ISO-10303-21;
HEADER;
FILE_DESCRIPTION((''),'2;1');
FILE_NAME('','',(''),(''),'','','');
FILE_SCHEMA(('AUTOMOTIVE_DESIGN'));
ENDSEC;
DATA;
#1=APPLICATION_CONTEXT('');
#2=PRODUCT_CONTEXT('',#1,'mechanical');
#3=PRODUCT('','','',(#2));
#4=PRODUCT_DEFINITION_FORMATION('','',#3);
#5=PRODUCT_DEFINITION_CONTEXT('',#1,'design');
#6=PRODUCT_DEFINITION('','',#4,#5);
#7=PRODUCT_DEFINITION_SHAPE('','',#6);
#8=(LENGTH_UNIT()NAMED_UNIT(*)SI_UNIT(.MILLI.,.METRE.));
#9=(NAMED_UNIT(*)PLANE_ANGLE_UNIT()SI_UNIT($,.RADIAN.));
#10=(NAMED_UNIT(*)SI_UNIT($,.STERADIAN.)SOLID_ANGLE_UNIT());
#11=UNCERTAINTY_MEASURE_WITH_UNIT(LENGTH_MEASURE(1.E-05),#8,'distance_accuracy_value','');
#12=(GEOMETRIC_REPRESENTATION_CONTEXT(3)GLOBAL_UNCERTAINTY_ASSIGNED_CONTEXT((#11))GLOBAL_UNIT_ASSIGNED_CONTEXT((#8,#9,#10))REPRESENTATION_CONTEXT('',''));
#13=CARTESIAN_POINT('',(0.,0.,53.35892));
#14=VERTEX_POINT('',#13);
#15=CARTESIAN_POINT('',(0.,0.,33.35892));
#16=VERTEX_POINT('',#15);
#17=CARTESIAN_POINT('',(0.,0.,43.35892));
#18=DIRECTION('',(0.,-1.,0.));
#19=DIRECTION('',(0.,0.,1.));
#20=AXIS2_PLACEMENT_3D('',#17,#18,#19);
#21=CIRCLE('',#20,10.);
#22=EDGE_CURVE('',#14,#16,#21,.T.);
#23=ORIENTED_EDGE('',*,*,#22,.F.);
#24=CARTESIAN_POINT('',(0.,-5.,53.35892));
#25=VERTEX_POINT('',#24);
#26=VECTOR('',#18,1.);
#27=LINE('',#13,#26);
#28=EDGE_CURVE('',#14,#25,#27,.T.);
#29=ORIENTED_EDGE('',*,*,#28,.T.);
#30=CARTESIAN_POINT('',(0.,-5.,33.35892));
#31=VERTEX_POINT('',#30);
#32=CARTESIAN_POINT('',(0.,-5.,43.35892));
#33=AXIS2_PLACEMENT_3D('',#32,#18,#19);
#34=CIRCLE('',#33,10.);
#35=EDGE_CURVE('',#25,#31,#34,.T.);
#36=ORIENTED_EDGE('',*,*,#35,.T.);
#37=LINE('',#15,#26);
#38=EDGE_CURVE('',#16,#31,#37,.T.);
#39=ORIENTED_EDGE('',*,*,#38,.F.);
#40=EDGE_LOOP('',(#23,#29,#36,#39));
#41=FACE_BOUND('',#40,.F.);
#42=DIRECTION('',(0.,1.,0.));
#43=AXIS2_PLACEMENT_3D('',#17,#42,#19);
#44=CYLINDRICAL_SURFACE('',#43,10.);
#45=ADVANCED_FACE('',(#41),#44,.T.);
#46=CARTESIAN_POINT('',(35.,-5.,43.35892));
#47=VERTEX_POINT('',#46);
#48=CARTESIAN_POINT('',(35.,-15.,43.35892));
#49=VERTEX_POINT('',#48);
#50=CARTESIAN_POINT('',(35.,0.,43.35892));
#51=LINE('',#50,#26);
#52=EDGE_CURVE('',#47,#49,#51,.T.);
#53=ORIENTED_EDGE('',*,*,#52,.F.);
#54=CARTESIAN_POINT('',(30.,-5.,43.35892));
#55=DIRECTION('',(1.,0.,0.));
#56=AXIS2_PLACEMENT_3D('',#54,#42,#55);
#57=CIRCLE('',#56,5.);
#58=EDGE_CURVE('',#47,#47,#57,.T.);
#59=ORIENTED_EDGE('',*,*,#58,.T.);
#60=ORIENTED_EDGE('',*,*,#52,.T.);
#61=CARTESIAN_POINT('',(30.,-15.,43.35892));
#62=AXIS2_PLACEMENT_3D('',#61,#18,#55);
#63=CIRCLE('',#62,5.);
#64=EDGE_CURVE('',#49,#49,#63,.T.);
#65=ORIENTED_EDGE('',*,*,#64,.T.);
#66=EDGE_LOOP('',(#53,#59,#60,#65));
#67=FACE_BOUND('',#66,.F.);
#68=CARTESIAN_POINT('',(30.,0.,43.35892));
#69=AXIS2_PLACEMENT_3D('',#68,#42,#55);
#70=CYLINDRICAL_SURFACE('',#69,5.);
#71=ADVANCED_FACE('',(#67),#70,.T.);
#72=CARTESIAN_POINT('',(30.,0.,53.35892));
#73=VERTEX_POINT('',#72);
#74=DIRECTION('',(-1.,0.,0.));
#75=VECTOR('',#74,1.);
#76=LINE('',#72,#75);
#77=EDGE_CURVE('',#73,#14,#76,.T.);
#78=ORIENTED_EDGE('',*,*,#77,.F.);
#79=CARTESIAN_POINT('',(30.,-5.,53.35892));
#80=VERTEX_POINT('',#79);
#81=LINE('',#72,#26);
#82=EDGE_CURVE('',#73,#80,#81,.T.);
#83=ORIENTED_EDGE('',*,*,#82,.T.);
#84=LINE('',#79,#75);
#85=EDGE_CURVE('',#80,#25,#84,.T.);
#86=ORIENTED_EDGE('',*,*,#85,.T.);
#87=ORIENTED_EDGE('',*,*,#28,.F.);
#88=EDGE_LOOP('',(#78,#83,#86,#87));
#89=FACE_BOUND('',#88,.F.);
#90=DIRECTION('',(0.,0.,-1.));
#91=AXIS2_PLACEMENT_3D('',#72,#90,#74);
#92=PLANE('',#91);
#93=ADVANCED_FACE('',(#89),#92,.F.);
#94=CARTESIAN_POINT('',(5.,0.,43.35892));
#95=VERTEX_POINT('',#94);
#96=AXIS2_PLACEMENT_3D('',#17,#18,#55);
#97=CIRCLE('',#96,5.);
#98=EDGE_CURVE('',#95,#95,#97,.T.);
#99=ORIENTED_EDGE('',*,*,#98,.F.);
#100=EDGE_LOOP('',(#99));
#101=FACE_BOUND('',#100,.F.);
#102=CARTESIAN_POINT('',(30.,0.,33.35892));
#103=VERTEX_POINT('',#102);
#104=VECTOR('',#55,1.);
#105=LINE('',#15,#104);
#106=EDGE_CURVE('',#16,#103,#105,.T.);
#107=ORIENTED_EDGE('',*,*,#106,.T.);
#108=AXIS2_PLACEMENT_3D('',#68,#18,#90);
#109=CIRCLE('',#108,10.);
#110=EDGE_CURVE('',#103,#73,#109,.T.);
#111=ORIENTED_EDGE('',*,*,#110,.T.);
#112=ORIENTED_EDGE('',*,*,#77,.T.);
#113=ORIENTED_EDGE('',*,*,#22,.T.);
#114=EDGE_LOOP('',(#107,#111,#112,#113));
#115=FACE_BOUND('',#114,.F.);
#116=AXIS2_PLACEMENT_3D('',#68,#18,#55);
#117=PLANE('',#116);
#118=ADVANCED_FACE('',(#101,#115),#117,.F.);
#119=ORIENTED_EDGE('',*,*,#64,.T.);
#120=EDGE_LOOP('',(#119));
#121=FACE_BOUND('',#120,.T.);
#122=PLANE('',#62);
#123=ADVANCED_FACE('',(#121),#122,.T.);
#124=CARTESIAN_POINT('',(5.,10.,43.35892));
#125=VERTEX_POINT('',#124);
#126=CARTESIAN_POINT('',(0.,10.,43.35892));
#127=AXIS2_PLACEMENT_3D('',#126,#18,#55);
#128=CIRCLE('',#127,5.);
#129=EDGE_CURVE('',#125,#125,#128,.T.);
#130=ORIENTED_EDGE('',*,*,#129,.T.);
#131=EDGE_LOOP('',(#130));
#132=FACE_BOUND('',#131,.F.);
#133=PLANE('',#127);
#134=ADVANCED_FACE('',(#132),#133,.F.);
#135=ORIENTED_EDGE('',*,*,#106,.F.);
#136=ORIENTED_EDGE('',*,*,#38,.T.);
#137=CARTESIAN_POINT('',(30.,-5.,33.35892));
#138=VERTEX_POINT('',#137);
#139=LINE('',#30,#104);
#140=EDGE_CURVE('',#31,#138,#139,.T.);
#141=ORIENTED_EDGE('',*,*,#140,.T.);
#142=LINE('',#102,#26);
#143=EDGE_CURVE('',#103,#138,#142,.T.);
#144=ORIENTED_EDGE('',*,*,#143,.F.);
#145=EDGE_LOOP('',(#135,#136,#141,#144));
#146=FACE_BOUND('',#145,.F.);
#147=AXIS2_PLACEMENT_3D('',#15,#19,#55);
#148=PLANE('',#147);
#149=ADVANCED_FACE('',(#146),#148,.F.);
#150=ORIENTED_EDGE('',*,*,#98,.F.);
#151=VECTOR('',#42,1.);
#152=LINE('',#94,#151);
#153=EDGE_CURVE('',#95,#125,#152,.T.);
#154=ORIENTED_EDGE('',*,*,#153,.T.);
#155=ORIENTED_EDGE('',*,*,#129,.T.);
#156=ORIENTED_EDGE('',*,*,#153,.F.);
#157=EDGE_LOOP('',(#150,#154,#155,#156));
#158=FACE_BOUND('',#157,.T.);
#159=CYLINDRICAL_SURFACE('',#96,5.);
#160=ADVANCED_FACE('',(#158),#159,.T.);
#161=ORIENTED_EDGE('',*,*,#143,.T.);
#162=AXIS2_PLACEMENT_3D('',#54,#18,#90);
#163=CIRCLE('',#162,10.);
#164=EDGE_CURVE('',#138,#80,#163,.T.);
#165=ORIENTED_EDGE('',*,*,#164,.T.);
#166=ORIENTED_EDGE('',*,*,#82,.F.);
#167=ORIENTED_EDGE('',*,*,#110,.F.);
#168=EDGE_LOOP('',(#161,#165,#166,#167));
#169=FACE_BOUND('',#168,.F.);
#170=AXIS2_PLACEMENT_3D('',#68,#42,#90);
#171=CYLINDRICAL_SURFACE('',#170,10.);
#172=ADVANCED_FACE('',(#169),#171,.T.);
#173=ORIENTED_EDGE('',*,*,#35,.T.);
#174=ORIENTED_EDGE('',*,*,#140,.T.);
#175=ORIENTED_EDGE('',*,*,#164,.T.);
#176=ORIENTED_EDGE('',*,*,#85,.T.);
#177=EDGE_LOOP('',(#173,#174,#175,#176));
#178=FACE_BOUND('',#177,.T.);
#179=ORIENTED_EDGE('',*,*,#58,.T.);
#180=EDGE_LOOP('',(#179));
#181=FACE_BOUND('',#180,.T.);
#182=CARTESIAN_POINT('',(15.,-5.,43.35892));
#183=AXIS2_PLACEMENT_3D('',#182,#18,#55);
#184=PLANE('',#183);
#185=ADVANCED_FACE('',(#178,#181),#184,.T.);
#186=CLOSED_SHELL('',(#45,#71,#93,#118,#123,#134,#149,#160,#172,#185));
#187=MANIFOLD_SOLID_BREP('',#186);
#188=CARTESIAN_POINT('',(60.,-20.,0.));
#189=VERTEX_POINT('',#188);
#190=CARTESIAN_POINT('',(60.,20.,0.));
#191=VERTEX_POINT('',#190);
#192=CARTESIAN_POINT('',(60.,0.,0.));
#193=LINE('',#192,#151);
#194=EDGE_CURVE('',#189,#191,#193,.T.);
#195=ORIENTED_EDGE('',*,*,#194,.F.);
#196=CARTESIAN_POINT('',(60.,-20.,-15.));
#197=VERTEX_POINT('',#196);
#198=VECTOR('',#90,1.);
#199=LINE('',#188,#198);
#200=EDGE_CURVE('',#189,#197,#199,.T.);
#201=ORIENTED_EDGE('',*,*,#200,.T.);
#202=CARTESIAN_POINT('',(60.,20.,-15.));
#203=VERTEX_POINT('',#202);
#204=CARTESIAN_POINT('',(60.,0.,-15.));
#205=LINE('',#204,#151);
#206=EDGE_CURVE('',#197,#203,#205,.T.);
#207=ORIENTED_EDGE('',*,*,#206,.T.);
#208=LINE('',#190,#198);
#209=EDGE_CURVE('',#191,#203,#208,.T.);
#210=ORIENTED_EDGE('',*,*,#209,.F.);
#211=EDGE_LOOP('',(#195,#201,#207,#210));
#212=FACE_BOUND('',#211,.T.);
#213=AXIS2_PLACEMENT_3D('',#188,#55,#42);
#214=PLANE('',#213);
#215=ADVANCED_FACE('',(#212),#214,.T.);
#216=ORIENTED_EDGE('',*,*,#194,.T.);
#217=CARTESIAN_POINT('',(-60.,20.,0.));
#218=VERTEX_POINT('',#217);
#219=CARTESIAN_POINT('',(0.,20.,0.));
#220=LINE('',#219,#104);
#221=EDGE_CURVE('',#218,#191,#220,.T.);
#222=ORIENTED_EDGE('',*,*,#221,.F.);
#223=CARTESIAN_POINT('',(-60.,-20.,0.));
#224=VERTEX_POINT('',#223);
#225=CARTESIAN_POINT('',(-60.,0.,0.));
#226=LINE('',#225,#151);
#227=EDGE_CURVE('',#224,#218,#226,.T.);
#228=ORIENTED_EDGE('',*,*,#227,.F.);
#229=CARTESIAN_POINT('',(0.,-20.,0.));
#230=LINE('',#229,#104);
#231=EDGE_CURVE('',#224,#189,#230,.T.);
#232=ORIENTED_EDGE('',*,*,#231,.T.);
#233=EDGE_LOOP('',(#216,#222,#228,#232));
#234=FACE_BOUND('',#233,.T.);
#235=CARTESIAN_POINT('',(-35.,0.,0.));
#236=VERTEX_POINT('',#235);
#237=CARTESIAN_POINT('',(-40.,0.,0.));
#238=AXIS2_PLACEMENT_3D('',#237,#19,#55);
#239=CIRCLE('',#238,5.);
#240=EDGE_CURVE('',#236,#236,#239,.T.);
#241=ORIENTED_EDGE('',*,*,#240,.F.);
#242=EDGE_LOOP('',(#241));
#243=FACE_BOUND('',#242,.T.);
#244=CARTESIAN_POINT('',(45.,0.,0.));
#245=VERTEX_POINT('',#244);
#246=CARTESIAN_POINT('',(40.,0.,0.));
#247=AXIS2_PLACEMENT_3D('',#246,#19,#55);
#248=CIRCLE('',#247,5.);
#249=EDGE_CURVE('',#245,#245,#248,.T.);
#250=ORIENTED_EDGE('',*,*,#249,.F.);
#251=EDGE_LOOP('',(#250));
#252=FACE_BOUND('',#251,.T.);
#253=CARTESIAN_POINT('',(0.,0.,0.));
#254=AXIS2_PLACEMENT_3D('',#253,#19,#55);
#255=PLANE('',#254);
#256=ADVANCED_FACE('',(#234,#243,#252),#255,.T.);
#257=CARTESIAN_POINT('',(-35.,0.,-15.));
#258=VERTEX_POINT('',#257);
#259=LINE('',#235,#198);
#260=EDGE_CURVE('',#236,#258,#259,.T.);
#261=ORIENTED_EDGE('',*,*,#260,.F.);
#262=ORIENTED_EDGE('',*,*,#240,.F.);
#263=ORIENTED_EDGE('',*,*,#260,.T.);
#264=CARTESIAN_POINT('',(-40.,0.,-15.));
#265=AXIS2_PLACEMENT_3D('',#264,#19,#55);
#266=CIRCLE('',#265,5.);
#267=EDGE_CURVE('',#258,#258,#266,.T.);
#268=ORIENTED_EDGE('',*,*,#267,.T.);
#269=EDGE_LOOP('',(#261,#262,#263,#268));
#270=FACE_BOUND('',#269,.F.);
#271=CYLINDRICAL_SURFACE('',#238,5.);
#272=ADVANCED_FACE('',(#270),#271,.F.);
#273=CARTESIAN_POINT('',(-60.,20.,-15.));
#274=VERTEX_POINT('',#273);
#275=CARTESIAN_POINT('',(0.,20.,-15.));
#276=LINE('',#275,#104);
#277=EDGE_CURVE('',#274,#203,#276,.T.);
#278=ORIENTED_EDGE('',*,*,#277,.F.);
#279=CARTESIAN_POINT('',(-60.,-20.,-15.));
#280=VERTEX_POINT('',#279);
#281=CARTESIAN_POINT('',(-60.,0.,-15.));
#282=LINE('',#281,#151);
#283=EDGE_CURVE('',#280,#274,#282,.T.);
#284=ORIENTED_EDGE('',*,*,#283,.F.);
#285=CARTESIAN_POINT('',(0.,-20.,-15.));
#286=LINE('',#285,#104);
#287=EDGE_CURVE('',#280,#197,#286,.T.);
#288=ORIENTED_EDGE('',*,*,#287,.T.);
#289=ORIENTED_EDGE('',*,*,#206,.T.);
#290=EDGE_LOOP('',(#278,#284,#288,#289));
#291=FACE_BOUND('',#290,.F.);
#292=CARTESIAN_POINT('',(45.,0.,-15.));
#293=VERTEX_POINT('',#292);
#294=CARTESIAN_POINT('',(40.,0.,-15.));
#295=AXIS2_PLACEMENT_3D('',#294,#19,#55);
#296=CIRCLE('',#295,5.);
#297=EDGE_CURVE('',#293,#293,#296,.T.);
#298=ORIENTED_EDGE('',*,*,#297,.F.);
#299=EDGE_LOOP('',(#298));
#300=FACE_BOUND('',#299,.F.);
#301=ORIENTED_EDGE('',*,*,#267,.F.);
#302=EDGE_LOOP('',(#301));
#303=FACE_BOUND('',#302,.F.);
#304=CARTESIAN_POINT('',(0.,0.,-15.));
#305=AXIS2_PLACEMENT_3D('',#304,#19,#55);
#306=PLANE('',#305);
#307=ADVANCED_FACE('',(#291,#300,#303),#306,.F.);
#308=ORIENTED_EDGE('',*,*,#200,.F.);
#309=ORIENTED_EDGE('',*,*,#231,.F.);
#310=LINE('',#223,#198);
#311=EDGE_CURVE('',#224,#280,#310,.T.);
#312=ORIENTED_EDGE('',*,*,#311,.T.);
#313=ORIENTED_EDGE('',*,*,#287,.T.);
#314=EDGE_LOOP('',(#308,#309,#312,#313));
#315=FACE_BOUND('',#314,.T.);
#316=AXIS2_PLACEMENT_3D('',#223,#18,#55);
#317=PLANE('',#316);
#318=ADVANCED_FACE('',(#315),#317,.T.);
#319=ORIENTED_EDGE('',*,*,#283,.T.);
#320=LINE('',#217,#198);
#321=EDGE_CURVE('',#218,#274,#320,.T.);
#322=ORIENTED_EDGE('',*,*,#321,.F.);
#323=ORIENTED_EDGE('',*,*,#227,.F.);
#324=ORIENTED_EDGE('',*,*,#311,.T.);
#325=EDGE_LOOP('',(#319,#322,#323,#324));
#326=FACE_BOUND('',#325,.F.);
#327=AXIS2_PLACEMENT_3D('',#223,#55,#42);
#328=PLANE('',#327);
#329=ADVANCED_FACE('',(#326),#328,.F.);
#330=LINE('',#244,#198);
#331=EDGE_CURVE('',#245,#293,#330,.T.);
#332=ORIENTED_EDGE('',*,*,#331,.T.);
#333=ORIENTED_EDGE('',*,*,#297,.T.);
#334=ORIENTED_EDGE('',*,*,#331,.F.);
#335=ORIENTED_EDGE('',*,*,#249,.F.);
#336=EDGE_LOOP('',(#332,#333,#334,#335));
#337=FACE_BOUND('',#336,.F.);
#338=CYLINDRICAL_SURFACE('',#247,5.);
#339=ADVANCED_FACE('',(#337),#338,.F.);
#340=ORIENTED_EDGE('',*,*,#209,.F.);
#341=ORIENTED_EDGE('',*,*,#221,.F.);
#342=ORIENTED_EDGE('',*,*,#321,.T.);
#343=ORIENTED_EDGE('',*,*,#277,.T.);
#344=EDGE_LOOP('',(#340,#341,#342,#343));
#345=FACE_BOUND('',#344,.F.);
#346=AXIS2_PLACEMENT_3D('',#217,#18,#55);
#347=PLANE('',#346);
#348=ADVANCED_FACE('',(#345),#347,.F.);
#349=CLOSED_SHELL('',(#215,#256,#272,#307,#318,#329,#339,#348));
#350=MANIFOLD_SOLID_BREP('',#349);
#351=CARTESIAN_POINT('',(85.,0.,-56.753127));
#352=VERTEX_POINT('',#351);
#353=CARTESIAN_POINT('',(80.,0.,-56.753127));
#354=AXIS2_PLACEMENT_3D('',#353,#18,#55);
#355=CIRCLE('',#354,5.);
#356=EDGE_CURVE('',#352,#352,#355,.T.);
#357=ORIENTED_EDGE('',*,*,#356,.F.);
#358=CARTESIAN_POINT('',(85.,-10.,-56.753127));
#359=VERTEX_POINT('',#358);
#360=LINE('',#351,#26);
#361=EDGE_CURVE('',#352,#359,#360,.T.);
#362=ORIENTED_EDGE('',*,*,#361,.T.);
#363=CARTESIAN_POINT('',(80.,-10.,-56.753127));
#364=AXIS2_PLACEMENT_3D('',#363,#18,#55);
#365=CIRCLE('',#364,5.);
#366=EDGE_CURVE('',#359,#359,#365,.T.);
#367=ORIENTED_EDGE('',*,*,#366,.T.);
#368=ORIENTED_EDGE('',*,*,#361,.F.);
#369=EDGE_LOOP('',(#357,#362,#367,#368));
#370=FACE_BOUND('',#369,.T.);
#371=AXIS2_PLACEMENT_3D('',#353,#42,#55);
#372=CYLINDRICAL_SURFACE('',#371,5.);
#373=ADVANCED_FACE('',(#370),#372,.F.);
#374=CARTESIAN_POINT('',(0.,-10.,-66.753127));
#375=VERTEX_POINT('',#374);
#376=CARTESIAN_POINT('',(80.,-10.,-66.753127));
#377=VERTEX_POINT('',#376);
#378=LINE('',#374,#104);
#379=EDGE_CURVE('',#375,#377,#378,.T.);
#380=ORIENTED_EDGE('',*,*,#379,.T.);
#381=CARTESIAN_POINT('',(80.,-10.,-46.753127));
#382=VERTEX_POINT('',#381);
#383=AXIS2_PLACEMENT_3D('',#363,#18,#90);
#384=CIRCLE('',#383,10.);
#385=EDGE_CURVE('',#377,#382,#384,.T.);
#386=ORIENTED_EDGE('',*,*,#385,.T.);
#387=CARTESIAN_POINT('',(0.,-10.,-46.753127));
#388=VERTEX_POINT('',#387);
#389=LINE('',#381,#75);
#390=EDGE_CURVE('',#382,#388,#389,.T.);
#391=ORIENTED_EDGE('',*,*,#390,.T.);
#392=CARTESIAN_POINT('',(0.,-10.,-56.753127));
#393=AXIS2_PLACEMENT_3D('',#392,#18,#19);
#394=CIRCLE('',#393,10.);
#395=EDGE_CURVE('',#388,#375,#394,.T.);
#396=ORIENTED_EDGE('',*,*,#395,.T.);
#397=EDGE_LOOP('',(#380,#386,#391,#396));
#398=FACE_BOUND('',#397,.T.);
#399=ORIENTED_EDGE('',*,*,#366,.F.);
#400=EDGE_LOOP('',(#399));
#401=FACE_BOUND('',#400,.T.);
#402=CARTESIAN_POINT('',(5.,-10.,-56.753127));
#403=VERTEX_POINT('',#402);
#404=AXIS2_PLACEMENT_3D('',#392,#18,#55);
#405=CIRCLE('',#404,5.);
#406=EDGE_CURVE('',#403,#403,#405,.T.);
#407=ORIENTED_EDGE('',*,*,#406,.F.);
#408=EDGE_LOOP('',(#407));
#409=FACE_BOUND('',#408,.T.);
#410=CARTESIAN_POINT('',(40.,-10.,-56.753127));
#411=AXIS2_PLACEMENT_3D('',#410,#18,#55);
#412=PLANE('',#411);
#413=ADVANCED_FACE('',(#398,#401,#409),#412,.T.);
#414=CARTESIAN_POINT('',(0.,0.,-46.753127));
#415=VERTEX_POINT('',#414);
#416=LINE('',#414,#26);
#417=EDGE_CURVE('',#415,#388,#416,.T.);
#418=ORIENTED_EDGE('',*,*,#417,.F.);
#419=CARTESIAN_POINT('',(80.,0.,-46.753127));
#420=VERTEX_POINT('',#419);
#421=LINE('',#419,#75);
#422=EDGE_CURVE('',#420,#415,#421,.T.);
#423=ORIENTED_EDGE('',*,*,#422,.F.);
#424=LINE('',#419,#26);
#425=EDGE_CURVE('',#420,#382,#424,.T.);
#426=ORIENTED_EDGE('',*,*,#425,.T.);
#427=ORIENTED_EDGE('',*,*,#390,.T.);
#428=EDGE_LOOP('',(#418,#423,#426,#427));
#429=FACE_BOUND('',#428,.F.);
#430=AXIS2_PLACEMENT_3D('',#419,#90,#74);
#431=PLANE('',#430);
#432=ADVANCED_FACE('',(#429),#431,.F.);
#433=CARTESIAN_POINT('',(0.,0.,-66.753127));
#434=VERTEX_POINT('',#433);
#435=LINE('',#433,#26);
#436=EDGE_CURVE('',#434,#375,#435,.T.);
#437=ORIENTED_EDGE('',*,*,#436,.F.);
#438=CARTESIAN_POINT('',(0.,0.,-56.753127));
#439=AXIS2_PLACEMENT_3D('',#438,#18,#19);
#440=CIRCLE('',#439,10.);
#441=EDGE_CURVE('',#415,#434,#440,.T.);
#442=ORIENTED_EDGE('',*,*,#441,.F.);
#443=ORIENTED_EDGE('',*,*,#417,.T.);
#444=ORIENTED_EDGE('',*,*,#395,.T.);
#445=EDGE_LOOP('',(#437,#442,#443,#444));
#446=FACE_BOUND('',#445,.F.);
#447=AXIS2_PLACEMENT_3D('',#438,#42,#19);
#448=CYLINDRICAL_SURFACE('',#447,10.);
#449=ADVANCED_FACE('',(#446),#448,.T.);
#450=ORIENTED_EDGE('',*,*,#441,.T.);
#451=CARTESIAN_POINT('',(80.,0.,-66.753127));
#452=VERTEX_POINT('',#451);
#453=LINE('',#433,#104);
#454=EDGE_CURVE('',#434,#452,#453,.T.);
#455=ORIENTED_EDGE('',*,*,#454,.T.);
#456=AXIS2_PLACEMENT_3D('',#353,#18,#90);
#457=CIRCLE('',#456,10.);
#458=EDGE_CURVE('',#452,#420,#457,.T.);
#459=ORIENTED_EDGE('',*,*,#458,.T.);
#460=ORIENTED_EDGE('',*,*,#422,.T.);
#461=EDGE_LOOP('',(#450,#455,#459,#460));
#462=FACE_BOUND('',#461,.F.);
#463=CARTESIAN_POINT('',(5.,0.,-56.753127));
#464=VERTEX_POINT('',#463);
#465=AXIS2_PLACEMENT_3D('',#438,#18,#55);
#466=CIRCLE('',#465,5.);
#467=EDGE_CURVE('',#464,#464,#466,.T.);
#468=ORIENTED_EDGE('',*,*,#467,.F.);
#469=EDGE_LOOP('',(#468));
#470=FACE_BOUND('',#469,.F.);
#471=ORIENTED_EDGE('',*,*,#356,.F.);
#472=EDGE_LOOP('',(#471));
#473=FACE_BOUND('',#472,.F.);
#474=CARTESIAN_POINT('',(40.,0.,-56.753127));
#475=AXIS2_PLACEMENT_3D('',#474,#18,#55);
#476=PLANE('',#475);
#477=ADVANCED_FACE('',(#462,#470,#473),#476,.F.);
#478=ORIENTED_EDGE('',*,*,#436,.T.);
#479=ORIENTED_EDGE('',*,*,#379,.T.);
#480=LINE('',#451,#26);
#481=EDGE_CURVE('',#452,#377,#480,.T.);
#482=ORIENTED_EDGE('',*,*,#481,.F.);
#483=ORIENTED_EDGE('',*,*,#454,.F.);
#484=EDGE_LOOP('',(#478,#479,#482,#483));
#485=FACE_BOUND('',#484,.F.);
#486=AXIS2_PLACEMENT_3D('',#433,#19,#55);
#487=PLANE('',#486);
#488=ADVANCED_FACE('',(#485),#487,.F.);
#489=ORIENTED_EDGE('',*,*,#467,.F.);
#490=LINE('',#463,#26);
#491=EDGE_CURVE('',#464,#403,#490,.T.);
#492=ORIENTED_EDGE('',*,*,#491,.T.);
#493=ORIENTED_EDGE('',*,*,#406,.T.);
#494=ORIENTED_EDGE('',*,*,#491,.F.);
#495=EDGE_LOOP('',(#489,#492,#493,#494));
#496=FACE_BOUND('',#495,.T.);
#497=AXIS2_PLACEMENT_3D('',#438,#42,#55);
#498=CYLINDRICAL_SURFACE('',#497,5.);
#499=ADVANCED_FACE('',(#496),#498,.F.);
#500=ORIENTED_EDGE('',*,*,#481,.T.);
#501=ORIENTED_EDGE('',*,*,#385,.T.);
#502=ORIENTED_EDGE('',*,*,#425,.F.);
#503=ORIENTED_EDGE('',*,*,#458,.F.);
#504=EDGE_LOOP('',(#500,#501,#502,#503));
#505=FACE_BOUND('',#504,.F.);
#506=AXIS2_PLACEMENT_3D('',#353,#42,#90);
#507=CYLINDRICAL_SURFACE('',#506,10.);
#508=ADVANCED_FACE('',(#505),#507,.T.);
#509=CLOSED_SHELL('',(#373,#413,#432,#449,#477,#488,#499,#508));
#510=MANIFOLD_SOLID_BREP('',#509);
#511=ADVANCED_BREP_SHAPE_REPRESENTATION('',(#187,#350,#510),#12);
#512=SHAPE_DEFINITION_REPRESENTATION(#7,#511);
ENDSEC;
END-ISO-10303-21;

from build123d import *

# Parameters (mm, degrees)
F0_W     = 120
F0_H     = 40
F0_R     = 5
F1_DEPTH = 15
F2_R     = 5
F3_DEPTH = 5
F4_DEPTH = 15
F5_DEPTH = 10
F6_R     = 5
F7_DEPTH = 10


with BuildPart() as f1:
    # F0 (on Top) → F1 (new body)
    with BuildSketch(Plane.XY):
        Rectangle(F0_W, F0_H)
        with Locations((-40, 0)):
            Circle(F0_R, mode=Mode.SUBTRACT)
        with Locations((40, 0)):
            Circle(F0_R, mode=Mode.SUBTRACT)
    extrude(amount=-F1_DEPTH)


with BuildPart() as f3:
    # F2 (on Front) → F3 (new body)
    with BuildSketch(Plane.XZ):
        with BuildLine():
            Line((30, 53.35892), (0, 53.35892))
            ThreePointArc((0, 53.35892), (-10, 43.35892), (0, 33.35892))
            Line((0, 33.35892), (30, 33.35892))
            ThreePointArc((30, 33.35892), (40, 43.35892), (30, 53.35892))
        make_face()
        with Locations((0, 43.35892)):
            Circle(F2_R, mode=Mode.SUBTRACT)
        with Locations((30, 43.35892)):
            Circle(F2_R, mode=Mode.SUBTRACT)
        with Locations((30, 43.35892)):
            Circle(F2_R)
        with Locations((0, 43.35892)):
            Circle(F2_R)
    extrude(amount=F3_DEPTH)

    # F2 (on Front) → F4 (join)
    with BuildSketch(Plane.XZ):
        with Locations((30, 43.35892)):
            Circle(F2_R)
    extrude(amount=F4_DEPTH)

    # F2 (on Front) → F5 (join)
    with BuildSketch(Plane.XZ):
        with Locations((0, 43.35892)):
            Circle(F2_R)
    extrude(amount=-F5_DEPTH)


with BuildPart() as f7:
    # F6 (on Front) → F7 (new body)
    with BuildSketch(Plane.XZ):
        with BuildLine():
            Line((80, -46.753127), (0, -46.753127))
            ThreePointArc((0, -46.753127), (-10, -56.753127), (0, -66.753127))
            Line((0, -66.753127), (80, -66.753127))
            ThreePointArc((80, -66.753127), (90, -56.753127), (80, -46.753127))
        make_face()
        with Locations((0, -56.753127)):
            Circle(F6_R, mode=Mode.SUBTRACT)
        with Locations((80, -56.753127)):
            Circle(F6_R, mode=Mode.SUBTRACT)
    extrude(amount=F7_DEPTH)


solid = Compound([f1.part, f3.part, f7.part])
